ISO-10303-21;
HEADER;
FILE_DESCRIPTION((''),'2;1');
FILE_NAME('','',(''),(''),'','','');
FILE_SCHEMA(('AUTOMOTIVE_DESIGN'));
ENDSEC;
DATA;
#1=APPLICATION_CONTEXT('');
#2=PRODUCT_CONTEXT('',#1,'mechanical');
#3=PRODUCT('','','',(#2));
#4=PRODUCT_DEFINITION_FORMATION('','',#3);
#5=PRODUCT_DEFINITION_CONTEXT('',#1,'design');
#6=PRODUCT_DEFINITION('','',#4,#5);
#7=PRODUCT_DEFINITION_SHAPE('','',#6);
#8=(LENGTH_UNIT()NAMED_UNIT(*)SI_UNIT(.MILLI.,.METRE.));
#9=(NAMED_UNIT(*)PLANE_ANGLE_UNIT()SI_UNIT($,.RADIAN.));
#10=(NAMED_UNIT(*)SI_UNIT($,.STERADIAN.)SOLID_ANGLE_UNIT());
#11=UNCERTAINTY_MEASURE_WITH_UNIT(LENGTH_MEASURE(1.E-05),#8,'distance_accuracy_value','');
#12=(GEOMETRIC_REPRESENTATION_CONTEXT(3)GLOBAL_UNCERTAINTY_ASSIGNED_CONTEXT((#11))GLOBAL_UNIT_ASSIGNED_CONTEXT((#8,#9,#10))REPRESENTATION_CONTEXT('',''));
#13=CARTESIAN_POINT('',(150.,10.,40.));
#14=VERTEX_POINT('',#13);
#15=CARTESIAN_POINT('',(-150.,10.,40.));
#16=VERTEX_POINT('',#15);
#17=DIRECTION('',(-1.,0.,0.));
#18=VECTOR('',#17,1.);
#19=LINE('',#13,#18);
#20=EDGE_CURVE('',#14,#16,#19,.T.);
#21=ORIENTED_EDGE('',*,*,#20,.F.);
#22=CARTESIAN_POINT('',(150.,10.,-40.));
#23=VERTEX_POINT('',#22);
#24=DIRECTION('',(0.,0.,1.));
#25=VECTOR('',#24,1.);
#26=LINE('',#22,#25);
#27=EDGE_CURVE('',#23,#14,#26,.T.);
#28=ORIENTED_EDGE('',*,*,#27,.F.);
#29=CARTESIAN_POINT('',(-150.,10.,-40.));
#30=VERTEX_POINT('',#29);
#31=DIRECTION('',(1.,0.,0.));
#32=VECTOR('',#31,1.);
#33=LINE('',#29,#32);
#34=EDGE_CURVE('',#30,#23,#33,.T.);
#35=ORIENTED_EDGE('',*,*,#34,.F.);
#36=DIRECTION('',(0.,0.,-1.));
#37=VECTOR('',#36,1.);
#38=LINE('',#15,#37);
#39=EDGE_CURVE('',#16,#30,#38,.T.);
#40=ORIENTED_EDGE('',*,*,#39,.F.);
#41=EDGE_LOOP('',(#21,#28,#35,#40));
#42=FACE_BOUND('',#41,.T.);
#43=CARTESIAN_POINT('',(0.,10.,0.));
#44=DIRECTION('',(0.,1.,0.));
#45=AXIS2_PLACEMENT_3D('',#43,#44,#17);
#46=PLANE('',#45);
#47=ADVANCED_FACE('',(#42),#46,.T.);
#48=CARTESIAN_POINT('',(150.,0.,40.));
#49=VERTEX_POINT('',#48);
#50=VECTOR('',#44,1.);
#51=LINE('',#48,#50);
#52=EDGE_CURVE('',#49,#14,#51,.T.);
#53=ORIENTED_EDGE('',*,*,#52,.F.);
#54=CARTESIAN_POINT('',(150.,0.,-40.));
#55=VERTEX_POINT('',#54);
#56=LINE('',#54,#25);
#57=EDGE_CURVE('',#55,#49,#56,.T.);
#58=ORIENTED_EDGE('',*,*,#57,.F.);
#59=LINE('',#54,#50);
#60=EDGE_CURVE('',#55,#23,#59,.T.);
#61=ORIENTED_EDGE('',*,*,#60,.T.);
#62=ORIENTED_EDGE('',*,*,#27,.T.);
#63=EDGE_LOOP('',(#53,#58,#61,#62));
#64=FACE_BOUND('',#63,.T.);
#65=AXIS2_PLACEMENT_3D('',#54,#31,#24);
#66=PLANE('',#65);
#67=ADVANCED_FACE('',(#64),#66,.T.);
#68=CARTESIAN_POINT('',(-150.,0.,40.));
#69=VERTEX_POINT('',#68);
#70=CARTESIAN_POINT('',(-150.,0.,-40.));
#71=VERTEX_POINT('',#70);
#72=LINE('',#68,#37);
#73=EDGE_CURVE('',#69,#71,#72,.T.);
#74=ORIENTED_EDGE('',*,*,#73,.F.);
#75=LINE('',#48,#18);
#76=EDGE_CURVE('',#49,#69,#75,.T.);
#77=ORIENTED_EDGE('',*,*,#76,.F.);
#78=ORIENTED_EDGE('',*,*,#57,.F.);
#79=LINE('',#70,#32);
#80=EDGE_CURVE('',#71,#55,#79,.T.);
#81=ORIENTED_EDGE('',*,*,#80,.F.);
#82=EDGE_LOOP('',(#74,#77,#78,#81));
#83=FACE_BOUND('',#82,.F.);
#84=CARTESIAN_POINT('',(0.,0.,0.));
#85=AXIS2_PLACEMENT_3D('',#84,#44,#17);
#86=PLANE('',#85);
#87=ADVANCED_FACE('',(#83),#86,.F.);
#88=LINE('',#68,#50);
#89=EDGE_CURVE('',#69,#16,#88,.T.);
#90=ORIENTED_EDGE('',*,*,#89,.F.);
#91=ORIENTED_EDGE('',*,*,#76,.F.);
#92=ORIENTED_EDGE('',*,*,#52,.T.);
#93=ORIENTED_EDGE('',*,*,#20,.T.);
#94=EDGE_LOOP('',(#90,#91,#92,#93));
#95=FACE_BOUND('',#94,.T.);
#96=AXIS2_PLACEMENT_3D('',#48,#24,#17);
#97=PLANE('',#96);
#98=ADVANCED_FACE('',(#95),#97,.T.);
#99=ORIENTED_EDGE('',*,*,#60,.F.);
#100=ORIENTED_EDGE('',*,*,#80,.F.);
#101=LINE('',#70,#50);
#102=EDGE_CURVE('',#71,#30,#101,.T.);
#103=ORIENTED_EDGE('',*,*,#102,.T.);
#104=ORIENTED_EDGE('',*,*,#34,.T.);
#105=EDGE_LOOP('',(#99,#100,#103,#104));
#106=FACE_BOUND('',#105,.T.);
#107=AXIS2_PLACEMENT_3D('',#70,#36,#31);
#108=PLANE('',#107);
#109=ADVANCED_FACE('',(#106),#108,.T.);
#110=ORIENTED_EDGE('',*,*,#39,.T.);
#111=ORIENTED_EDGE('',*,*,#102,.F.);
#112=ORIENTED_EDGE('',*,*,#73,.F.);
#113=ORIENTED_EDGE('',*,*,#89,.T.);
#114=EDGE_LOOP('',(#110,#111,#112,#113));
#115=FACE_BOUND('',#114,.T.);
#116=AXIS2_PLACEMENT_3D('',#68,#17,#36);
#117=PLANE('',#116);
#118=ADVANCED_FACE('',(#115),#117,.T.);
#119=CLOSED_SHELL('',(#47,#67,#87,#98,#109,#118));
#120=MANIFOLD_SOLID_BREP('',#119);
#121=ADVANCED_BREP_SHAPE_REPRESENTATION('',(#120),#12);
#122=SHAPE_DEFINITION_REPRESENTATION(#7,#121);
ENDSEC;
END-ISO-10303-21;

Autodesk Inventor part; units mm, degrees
ref_plane "YZ Plane" through (0, 0, 0) normal (1, 0, 0) x (0, 1, 0)
ref_plane "XZ Plane" through (0, 0, 0) normal (0, 1, 0) x (-1, 0, 0)
ref_plane "XY Plane" through (0, 0, 0) normal (0, 0, 1) x (1, 0, 0)
sketch "Szkic1" plane through (0, 0, 0) normal (0, 1, 0) x (-1, 0, 0)
  line L0 (150, -40) -> (-150, -40)
  line L1 (-150, -40) -> (-150, 40)
  line L2 (-150, 40) -> (150, 40)
  line L3 (150, 40) -> (150, -40)
  line L4 (150, -40) -> (-150, 40) construction
  line L5 (-150, -40) -> (150, 40) construction
  point P0 (0, 0)
  dimension "d0" = 300
  dimension "d1" = 80
extrude "Wyciągnięcie proste1" add sketch "Szkic1" along normal blind 10
properties part number "deska300x80"
